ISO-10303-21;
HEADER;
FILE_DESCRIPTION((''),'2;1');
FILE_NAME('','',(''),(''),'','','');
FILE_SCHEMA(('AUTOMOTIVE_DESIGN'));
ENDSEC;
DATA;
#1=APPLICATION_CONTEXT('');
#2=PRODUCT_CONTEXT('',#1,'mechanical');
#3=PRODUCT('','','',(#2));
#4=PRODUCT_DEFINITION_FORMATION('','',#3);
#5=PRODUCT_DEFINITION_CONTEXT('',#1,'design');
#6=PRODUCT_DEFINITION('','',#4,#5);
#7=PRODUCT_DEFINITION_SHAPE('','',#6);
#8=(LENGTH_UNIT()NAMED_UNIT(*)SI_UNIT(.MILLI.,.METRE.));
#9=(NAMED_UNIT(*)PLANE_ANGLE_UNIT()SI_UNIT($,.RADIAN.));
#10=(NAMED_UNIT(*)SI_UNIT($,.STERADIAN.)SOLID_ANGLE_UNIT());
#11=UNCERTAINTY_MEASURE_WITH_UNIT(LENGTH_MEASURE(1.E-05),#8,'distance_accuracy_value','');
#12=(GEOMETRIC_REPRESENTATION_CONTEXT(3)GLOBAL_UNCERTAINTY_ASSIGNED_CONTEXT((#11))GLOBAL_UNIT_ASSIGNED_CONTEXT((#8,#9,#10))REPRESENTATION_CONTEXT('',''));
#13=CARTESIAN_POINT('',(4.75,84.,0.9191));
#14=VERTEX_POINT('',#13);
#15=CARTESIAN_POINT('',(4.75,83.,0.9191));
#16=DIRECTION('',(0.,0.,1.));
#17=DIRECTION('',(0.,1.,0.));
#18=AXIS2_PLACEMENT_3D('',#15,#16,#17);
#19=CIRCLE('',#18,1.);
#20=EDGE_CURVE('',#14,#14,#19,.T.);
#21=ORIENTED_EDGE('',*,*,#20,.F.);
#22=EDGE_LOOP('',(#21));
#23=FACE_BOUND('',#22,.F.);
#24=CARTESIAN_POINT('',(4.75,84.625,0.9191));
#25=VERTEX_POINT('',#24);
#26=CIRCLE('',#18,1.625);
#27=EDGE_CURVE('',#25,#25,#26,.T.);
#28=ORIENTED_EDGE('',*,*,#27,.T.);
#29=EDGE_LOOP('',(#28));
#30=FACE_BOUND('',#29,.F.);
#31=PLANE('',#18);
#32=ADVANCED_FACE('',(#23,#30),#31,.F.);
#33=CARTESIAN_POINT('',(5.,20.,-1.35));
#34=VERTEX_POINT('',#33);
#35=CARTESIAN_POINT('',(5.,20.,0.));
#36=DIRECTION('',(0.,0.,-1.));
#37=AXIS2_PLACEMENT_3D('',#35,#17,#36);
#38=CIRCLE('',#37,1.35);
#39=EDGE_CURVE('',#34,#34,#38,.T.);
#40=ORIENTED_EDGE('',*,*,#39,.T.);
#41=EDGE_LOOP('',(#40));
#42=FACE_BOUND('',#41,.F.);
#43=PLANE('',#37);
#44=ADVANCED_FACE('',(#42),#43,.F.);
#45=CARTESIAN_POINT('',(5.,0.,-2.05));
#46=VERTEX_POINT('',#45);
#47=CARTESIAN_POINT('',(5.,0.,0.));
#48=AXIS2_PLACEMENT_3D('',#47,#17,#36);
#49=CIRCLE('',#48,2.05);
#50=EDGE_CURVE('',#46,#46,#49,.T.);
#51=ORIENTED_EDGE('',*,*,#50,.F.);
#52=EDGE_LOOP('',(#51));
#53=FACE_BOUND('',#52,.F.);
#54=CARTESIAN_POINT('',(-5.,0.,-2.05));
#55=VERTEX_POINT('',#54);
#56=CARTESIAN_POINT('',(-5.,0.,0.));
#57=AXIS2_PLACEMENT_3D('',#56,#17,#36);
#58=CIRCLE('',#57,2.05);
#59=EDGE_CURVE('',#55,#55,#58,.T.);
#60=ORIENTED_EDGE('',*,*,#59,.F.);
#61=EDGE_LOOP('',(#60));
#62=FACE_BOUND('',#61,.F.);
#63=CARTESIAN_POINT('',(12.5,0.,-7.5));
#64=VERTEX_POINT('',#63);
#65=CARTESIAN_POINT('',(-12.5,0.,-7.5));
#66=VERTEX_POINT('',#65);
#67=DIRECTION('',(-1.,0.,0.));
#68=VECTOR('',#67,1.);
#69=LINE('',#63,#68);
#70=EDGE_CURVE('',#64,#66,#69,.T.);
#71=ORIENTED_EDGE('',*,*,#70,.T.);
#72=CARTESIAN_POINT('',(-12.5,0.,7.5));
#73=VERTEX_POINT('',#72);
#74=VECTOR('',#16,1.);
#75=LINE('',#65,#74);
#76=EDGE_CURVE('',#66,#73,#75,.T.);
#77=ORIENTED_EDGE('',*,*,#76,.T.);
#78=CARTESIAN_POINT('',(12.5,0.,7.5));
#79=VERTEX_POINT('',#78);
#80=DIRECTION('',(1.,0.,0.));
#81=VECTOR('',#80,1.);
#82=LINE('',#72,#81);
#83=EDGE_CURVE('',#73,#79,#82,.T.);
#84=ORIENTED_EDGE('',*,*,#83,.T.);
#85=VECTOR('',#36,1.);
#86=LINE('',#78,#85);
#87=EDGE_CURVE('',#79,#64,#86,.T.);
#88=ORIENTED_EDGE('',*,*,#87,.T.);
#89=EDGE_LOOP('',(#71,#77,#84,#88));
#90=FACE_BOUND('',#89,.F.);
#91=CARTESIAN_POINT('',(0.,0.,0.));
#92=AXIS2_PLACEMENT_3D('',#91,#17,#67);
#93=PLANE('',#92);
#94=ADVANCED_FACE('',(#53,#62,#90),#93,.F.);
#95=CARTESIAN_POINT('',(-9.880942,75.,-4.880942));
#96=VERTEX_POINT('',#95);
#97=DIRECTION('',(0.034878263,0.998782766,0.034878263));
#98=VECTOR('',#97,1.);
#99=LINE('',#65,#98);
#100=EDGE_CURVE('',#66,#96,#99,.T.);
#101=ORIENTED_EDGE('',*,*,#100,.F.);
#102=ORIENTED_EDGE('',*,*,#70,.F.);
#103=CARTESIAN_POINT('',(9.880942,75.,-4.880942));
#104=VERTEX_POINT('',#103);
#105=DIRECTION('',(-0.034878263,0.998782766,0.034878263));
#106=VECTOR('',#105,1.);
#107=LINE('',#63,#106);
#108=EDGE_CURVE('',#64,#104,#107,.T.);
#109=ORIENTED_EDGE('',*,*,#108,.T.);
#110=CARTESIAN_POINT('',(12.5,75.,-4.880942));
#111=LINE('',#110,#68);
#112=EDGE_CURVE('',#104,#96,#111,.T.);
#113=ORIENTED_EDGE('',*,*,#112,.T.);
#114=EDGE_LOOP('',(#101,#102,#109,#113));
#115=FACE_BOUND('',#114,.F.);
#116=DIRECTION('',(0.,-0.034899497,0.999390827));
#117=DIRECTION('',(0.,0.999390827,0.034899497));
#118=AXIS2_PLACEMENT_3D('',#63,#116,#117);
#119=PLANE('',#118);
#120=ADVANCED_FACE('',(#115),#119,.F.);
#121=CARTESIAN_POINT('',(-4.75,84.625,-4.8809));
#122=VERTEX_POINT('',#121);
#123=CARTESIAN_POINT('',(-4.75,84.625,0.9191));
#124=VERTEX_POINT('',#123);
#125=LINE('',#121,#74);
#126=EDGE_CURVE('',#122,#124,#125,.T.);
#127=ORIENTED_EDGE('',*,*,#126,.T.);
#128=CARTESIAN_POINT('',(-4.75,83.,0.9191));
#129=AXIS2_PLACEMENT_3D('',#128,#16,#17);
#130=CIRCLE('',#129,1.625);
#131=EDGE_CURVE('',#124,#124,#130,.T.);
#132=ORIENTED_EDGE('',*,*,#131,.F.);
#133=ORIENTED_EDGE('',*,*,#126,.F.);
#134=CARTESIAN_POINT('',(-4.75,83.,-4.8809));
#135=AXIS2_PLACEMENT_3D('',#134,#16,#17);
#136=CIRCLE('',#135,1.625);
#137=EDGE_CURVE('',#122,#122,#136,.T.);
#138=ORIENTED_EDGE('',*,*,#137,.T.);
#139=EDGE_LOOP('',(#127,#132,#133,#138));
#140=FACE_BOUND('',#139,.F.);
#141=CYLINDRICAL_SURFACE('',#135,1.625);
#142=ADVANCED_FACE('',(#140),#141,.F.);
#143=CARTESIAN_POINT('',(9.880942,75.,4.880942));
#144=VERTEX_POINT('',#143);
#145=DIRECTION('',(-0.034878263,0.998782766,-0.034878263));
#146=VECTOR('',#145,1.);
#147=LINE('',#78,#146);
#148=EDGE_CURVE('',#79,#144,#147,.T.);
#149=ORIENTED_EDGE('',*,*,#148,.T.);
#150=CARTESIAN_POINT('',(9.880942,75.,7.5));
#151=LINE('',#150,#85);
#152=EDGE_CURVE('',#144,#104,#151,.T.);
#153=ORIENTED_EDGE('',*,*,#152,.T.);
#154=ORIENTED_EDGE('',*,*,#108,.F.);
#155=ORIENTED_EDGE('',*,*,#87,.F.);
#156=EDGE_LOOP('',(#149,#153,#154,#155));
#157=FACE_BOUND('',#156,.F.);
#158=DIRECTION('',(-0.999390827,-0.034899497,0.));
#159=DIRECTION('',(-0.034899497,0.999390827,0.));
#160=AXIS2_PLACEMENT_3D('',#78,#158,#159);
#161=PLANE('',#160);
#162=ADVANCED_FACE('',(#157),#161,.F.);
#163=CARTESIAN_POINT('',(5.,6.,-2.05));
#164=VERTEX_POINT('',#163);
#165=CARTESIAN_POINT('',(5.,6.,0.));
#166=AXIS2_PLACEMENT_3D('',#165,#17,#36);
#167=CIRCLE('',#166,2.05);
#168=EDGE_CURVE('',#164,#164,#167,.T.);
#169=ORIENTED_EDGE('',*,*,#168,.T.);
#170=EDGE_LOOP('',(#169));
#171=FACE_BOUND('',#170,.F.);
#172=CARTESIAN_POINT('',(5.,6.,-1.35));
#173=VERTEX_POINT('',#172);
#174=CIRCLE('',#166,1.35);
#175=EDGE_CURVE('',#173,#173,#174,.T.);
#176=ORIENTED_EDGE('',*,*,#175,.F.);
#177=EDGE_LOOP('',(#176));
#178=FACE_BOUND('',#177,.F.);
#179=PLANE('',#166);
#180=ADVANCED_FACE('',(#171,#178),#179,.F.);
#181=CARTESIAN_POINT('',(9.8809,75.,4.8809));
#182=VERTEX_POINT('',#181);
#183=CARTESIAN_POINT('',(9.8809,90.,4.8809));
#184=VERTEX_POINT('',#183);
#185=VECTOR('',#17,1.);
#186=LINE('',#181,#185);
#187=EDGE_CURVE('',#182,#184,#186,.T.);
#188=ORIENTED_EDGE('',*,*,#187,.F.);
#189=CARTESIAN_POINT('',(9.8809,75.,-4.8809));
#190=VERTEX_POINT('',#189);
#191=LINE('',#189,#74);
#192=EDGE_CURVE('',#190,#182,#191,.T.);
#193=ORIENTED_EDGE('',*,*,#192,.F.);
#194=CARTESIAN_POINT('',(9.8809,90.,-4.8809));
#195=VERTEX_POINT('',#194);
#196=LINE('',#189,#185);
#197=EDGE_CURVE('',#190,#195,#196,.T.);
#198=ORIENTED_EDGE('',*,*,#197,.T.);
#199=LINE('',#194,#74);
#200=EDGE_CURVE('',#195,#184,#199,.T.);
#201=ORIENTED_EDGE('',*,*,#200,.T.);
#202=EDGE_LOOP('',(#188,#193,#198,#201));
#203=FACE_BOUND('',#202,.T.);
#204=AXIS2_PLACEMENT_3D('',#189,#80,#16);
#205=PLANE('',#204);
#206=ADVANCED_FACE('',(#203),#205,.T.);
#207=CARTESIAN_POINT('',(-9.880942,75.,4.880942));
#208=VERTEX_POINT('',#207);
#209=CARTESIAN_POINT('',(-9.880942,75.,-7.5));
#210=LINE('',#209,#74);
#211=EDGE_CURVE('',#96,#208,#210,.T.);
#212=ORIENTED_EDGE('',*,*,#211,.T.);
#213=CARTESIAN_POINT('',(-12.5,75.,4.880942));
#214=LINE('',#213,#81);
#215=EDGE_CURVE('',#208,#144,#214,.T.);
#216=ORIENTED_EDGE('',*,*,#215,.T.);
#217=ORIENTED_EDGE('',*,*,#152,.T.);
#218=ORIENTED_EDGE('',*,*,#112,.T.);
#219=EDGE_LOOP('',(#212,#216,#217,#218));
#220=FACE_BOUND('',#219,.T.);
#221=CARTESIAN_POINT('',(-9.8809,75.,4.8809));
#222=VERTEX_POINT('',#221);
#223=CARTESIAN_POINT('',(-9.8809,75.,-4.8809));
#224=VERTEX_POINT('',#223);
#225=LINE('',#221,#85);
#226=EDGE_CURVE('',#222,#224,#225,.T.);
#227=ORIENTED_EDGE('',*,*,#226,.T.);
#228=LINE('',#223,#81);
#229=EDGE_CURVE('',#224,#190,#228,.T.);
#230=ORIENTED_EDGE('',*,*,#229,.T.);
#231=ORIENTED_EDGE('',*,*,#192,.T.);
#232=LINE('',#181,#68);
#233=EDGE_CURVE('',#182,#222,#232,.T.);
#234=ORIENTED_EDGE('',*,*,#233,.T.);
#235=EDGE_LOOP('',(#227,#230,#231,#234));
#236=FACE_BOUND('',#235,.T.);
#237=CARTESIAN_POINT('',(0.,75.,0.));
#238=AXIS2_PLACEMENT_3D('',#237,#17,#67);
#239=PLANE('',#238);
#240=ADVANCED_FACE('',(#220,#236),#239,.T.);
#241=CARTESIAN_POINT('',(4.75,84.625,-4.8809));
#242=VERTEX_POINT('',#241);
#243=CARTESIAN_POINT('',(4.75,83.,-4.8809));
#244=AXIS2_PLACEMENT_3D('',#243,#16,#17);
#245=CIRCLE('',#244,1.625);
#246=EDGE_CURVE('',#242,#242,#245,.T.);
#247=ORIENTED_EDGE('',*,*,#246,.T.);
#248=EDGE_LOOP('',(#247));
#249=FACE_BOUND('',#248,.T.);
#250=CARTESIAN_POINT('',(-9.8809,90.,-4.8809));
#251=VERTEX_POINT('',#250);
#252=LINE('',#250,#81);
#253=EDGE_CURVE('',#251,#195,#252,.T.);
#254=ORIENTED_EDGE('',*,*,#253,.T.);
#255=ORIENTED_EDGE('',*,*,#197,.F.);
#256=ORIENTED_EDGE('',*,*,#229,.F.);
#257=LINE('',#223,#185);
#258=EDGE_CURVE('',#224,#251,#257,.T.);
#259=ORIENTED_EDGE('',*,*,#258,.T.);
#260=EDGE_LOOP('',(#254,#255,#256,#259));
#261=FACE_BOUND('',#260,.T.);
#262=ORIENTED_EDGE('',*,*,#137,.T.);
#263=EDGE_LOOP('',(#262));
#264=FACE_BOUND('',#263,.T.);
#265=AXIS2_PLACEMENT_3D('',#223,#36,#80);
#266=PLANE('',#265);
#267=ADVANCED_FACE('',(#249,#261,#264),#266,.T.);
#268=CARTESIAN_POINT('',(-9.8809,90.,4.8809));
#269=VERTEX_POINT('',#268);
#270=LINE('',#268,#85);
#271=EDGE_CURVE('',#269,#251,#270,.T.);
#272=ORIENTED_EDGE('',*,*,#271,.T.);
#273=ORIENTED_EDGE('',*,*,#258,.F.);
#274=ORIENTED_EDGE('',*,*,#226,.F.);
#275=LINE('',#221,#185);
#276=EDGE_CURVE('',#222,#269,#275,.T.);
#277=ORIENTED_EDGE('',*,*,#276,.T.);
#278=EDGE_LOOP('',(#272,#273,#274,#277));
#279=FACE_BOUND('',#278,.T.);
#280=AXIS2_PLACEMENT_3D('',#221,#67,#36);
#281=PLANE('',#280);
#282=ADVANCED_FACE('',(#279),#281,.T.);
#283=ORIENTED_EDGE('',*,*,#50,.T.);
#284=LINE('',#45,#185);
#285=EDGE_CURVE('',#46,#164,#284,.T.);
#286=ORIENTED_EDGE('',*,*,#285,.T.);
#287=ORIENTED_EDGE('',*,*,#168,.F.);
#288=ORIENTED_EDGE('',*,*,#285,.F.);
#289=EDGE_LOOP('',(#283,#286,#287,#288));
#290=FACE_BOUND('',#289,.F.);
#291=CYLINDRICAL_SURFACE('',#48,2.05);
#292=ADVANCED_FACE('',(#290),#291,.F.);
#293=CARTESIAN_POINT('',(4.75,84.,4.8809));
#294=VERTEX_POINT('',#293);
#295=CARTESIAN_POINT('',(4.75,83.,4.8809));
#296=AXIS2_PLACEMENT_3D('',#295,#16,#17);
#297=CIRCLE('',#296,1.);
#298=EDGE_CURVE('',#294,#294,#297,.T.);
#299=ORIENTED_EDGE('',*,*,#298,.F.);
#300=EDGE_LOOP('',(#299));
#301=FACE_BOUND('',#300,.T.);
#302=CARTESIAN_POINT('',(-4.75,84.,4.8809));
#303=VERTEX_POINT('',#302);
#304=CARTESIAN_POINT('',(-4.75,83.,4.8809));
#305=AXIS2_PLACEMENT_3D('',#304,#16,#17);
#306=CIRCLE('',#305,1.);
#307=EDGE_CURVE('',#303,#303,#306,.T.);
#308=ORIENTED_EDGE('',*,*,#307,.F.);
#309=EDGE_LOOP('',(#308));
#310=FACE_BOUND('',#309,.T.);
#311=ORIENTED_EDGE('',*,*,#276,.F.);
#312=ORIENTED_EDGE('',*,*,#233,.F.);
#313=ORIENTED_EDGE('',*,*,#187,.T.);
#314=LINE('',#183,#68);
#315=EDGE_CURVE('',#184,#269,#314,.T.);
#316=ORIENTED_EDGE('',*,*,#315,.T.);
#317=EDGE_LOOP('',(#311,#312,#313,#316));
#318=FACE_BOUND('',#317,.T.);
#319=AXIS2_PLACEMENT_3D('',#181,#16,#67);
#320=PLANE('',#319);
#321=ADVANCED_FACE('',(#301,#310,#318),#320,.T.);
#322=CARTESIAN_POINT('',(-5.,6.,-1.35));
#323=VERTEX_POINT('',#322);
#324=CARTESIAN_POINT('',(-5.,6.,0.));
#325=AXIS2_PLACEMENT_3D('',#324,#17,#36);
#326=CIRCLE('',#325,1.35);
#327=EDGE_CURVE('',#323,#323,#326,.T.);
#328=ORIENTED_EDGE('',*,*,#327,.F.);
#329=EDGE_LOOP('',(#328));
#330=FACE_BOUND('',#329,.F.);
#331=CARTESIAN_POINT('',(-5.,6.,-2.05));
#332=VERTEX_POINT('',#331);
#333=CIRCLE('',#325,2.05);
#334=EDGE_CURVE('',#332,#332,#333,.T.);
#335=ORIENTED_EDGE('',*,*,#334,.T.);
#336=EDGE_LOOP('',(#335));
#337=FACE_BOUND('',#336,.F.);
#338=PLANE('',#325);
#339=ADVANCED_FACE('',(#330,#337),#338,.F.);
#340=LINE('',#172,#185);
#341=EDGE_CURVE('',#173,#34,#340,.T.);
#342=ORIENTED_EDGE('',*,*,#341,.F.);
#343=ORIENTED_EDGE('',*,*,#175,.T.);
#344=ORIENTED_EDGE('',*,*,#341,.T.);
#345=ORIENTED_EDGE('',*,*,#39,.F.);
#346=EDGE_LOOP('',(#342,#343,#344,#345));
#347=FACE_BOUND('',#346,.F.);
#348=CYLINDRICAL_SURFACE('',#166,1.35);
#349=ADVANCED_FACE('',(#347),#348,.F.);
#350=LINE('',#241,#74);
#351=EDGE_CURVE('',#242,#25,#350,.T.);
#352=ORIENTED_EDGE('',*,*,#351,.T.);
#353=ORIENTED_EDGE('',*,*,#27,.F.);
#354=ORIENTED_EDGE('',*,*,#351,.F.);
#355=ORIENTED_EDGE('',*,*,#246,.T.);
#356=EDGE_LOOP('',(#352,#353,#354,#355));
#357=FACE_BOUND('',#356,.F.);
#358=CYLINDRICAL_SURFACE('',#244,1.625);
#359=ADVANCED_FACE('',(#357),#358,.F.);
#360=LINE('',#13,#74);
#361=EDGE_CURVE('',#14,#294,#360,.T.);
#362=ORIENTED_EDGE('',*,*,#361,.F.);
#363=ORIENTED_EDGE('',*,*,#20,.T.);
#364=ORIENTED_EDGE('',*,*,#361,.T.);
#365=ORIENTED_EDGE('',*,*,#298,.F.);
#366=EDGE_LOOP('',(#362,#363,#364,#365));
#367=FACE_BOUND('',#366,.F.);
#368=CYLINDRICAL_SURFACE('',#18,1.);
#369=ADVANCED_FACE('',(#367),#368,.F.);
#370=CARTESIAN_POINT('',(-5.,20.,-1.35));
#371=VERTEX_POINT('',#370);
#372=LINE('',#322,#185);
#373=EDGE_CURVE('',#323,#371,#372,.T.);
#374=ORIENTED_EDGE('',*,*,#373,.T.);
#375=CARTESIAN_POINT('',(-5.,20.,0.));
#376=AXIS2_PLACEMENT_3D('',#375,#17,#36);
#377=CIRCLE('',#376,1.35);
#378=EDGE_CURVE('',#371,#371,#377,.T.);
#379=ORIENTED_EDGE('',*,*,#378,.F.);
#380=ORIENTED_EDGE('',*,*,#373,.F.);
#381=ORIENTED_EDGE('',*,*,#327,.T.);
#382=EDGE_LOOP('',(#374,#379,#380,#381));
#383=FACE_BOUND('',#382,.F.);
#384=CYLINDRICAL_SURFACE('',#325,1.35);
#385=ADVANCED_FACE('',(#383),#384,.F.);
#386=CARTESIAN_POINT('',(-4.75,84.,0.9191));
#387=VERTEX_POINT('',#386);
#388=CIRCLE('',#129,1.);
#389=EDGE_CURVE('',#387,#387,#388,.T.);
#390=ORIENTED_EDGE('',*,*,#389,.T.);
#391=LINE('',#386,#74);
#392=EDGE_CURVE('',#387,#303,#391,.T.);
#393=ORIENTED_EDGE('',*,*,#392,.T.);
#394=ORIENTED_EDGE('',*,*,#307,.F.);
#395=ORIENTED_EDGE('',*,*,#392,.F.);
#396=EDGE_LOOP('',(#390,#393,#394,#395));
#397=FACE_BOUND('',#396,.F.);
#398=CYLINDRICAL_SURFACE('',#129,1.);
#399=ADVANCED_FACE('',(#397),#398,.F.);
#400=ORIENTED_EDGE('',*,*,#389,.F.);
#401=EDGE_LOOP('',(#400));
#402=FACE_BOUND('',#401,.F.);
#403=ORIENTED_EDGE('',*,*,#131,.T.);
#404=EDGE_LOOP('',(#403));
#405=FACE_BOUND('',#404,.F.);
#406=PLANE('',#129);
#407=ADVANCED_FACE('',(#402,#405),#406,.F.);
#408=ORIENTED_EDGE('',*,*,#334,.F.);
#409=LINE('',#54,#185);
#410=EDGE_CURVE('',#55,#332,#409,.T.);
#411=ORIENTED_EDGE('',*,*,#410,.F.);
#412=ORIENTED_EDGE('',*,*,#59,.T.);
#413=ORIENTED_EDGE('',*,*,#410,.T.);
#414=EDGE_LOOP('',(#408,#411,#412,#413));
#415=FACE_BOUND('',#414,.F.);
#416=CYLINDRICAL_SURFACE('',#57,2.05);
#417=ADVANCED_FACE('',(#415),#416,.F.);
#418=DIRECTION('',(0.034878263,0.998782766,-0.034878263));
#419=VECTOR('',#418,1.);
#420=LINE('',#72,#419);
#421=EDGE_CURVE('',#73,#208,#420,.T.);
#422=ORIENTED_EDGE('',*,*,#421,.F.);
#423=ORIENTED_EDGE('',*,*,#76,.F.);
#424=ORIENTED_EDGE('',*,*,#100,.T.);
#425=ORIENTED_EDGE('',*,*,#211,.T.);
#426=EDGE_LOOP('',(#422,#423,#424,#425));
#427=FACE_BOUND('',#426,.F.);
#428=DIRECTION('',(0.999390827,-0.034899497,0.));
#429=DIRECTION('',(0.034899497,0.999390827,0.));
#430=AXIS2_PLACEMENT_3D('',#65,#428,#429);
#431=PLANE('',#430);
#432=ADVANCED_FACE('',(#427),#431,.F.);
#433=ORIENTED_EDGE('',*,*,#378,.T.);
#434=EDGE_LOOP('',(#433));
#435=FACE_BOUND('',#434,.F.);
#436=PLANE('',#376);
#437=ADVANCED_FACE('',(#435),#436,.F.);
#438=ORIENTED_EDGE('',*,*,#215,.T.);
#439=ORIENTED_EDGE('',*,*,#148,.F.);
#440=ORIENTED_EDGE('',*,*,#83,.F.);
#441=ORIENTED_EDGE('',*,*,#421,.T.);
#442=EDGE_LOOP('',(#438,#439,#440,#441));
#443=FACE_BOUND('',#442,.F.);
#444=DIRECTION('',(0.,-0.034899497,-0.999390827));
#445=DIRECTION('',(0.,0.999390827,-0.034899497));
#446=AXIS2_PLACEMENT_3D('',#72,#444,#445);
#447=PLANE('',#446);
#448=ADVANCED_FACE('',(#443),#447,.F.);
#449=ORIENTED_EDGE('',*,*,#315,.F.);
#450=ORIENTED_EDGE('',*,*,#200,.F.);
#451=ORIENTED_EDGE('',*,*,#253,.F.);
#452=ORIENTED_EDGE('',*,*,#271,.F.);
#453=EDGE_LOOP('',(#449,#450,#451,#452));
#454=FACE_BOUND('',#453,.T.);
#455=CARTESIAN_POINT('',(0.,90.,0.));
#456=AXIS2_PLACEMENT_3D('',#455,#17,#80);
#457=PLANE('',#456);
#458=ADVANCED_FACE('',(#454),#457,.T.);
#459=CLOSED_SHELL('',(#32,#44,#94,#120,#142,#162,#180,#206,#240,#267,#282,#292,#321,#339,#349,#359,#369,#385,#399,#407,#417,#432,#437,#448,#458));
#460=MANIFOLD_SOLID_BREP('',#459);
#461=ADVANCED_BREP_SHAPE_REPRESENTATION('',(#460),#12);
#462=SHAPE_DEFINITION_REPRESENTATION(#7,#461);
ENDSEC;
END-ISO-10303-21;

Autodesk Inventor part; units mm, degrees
ref_plane "YZ Plane" through (0, 0, 0) normal (1, 0, 0) x (0, 1, 0)
ref_plane "XZ Plane" through (0, 0, 0) normal (0, 1, 0) x (-1, 0, 0)
ref_plane "XY Plane" through (0, 0, 0) normal (0, 0, 1) x (1, 0, 0)
sketch "草圖1" plane through (0, 0, 0) normal (0, 1, 0) x (-1, 0, 0)
  line L0 (12.5, 7.5) -> (-12.5, 7.5)
  line L1 (-12.5, 7.5) -> (-12.5, -7.5)
  line L2 (-12.5, -7.5) -> (12.5, -7.5)
  line L3 (12.5, -7.5) -> (12.5, 7.5)
  line L4 (12.5, 7.5) -> (-12.5, -7.5) construction
  line L5 (-12.5, 7.5) -> (12.5, -7.5) construction
  point P0 (0, 0)
  dimension "d0" = 25
  dimension "d1" = 15
extrude "擠出1" add sketch "草圖1" along normal blind 75 draft -2
sketch "草圖2" plane through (0, 75, 0) normal (0, 1, 0) x (1, 0, 0)
  line L0 (9.8809, -4.8809) -> (-9.8809, -4.8809) projected
  line L1 (9.8809, 4.8809) -> (9.8809, -4.8809) projected
  line L2 (-9.8809, 4.8809) -> (9.8809, 4.8809) projected
  line L3 (-9.8809, -4.8809) -> (-9.8809, 4.8809) projected
  point P0 (0, 0)
extrude "擠出2" add sketch "草圖2" along normal blind 15
sketch "草圖3" plane through (9.8809, 75, -4.8809) normal (0, 0, -1) x (-1, 0, 0)
  line L0 (19.7619, 0) -> (0, 0) projected
  line L1 (19.7619, 0) -> (19.7619, 15) projected
  line L2 (0, 15) -> (19.7619, 15) projected
  line L3 (0, 0) -> (0, 15) projected
  line L4 (0, 15) -> (19.7619, 15) projected
  line L5 (5.1309, 15) -> (14.6309, 15)
  line L6 (14.6309, 15) -> (14.6309, 8)
  line L7 (14.6309, 8) -> (5.1309, 8)
  line L8 (5.1309, 8) -> (5.1309, 15)
  point P0 (9.8809, -75)
  point P1 (9.8809, 8)
  point P2 (9.8809, 15)
  dimension "d6" = 9.5
  dimension "d7" = 7
hole "孔1" at (4.75, 83, -4.8809) at (-4.75, 83, -4.8809) direction (0, 0, 1) diameter 2 end through all counterbore diameter 3.25 counterbore depth 5.8
sketch "草圖4" plane through (0, 0, 0) normal (0, -1, 0) x (1, 0, 0)
  point P0 (0, 0)
  point P1 (5, 0)
  point P2 (-5, 0)
  dimension "d15" = 10
  dimension "d16" = 5
hole "孔2" at (5, 0, 0) at (-5, 0, 0) direction (0, 1, 0) diameter 2.7 depth 20 counterbore diameter 4.1 counterbore depth 6
equation "\"d16\" = 0.5 * d15"
properties part number "限位開關架"
